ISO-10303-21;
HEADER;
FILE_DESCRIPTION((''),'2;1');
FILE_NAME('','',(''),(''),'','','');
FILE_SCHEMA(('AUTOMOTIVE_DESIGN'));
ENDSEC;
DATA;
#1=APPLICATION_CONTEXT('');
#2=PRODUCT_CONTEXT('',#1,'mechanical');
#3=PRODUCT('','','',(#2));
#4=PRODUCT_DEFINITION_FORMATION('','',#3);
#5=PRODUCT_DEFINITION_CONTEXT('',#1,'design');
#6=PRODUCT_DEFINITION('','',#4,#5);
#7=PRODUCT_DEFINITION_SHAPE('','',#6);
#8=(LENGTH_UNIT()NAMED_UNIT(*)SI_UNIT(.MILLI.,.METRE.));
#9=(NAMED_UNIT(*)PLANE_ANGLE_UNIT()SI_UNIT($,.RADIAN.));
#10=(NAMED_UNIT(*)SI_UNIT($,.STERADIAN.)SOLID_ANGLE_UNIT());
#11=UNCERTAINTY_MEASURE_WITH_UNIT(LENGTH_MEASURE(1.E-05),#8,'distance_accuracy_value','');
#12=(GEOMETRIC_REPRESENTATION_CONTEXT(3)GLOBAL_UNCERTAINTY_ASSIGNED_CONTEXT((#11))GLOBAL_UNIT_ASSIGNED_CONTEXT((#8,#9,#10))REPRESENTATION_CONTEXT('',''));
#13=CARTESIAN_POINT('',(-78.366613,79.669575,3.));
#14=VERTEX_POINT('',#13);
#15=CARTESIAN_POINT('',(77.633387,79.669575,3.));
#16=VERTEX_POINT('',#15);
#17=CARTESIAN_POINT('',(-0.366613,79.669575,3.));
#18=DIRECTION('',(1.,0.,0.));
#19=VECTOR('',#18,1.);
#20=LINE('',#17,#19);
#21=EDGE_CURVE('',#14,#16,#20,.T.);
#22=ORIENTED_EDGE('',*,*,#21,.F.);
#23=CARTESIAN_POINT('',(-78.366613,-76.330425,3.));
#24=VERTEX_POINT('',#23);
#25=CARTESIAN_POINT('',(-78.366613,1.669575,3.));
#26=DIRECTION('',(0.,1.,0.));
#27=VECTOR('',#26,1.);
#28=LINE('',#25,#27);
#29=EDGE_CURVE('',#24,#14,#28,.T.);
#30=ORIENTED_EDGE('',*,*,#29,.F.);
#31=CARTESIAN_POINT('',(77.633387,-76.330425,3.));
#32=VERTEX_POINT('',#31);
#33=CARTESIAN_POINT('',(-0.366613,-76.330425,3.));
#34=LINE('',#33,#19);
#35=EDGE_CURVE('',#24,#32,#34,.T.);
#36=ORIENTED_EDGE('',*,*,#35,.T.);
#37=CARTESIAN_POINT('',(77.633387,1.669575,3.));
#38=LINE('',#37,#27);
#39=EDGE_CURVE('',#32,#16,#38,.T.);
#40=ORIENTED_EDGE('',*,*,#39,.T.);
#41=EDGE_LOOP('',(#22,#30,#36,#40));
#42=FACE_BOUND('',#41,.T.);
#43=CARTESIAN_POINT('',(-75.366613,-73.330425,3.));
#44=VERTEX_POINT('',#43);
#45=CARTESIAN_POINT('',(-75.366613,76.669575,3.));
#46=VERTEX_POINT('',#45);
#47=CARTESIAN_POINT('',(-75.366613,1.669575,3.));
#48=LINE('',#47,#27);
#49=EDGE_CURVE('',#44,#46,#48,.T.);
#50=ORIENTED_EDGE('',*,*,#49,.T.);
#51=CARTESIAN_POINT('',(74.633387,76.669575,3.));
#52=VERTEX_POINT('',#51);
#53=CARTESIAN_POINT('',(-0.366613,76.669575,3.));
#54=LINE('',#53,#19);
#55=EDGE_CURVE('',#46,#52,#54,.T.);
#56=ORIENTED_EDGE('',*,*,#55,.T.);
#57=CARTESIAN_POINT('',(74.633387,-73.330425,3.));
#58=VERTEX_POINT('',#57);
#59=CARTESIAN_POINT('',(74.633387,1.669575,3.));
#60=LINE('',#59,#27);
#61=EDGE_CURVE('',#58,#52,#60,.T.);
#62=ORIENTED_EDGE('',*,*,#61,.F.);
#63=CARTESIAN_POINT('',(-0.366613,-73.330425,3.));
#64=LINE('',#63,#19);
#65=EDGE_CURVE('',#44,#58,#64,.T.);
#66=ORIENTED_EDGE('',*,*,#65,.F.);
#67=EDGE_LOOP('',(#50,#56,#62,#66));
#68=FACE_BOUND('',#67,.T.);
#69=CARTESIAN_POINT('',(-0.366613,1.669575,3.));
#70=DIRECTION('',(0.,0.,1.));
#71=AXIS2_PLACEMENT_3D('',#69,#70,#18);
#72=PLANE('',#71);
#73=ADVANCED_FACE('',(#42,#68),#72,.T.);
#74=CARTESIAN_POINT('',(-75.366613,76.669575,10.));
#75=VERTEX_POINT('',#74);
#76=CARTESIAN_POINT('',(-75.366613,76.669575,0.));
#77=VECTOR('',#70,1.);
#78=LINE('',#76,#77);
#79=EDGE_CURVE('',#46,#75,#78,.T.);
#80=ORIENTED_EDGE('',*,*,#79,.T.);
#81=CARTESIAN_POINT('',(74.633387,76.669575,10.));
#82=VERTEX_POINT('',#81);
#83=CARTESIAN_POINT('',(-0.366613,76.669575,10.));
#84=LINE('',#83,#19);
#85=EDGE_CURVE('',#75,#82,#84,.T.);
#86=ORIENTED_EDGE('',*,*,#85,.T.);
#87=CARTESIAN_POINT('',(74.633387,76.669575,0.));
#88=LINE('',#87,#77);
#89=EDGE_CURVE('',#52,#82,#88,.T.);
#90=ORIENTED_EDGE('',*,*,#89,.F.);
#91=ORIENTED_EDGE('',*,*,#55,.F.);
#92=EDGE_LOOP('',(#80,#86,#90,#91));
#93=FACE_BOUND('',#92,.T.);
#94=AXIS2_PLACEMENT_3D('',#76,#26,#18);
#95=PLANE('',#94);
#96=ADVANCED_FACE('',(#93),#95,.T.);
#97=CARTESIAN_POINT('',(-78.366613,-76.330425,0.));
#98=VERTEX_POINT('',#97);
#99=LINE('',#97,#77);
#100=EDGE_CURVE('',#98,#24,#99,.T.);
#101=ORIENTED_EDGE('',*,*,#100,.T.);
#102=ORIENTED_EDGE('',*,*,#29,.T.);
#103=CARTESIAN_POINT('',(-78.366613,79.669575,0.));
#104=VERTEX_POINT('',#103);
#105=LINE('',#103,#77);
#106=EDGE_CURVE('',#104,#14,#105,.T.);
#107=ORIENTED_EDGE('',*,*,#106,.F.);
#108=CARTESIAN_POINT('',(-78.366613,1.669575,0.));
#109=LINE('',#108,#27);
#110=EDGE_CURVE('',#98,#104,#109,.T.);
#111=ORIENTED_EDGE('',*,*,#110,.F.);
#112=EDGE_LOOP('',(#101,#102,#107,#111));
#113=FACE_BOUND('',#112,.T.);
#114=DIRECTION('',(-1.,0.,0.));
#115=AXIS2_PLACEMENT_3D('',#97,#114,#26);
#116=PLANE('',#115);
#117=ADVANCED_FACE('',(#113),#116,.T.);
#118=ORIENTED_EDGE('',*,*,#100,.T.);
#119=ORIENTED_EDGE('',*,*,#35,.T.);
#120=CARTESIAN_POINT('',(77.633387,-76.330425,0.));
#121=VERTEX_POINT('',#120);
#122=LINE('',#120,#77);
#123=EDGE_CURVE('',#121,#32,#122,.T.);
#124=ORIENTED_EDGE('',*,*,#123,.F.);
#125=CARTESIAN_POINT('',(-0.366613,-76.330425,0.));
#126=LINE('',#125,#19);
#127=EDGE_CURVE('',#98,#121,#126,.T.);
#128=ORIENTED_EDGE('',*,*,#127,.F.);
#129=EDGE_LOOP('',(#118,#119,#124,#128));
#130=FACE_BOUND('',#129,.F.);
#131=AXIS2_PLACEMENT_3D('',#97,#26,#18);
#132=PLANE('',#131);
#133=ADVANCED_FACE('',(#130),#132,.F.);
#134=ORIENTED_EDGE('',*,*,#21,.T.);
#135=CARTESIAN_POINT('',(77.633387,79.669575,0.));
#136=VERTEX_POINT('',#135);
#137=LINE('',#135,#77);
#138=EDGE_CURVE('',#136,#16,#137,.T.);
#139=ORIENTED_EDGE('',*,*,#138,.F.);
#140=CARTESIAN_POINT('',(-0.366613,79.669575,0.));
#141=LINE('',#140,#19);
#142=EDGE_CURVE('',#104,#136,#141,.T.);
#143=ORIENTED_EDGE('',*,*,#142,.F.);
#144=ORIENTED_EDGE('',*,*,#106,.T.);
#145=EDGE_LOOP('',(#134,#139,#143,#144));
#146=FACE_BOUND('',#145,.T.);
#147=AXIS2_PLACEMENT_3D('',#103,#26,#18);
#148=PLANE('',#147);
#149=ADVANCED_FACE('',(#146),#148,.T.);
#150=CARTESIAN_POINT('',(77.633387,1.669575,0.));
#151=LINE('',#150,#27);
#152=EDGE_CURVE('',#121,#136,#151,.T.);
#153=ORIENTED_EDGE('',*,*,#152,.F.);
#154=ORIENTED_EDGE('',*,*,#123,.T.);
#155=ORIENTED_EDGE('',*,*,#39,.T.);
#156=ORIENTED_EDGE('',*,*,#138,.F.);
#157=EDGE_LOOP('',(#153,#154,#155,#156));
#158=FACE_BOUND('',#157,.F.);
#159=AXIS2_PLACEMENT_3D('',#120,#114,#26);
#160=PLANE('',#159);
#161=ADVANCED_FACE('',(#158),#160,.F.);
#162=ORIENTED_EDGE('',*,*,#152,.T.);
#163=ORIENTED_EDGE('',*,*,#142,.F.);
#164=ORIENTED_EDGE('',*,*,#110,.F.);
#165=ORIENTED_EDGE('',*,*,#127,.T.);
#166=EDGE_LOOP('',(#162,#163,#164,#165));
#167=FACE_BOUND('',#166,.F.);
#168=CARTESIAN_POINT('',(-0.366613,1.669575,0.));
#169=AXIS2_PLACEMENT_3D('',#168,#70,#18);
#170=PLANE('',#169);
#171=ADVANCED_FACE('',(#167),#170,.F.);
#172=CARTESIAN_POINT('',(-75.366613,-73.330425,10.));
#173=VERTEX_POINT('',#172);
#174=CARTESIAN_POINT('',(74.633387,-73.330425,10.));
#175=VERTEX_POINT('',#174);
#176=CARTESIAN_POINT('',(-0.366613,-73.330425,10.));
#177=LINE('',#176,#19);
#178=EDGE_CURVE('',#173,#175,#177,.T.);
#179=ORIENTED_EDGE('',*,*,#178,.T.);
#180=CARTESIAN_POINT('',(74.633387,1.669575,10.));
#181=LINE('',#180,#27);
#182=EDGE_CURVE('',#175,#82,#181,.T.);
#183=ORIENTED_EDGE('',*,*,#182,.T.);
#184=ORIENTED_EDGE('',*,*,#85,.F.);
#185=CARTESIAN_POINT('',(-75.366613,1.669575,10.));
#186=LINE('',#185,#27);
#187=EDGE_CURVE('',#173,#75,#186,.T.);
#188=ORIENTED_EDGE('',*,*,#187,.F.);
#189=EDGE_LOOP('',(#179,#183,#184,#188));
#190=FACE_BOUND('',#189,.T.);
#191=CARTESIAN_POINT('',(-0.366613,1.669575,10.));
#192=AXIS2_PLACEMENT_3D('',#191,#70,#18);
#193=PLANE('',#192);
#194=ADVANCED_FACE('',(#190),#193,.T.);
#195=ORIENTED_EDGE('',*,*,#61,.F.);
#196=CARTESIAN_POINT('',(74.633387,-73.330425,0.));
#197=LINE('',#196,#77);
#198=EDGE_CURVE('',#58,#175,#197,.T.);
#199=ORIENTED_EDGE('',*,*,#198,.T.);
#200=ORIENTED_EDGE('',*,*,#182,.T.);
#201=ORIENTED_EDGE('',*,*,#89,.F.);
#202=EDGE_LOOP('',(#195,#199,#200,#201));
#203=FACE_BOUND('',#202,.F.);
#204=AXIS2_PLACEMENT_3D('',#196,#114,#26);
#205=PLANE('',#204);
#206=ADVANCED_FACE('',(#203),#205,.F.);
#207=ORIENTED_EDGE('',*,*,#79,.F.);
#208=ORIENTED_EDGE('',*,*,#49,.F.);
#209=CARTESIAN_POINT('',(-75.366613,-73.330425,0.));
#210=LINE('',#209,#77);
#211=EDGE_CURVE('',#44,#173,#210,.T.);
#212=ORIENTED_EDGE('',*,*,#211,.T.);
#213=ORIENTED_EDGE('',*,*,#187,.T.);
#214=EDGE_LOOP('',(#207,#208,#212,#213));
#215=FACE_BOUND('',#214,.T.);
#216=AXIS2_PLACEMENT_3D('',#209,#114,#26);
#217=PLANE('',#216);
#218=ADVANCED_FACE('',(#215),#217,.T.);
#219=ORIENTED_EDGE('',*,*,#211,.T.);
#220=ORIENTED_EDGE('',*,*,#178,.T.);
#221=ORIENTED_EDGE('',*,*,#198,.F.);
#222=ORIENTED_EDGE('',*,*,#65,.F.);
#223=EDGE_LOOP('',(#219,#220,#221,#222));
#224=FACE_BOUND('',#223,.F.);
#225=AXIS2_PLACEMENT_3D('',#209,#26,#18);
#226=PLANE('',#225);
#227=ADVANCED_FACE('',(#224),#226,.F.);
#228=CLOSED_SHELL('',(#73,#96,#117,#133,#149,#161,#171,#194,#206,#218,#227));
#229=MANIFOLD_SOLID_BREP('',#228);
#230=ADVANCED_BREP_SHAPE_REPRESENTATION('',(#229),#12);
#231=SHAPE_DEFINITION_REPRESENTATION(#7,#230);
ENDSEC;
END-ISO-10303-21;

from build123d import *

# Parameters (mm, degrees)
F0_W     = 150
F0_H     = 150
F2_DEPTH = 10
F1_W     = 156
F1_H     = 156
F1_W_2   = 150
F1_H_2   = 150
F3_DEPTH = 3


with BuildPart() as f2:
    # F0 (on Top) → F2 (new body)
    with BuildSketch(Plane.XY):
        with Locations((-0.366613, 1.669575)):
            Rectangle(F0_W, F0_H)
    extrude(amount=F2_DEPTH)

    # F1 (on face) → F3 (join)
    with BuildSketch(Plane.XY):
        with Locations((-0.366613, 1.669575)):
            Rectangle(F1_W, F1_H)
        with Locations((-0.366613, 1.669575)):
            Rectangle(F1_W_2, F1_H_2, mode=Mode.SUBTRACT)
    extrude(amount=F3_DEPTH)


solid = f2.part
